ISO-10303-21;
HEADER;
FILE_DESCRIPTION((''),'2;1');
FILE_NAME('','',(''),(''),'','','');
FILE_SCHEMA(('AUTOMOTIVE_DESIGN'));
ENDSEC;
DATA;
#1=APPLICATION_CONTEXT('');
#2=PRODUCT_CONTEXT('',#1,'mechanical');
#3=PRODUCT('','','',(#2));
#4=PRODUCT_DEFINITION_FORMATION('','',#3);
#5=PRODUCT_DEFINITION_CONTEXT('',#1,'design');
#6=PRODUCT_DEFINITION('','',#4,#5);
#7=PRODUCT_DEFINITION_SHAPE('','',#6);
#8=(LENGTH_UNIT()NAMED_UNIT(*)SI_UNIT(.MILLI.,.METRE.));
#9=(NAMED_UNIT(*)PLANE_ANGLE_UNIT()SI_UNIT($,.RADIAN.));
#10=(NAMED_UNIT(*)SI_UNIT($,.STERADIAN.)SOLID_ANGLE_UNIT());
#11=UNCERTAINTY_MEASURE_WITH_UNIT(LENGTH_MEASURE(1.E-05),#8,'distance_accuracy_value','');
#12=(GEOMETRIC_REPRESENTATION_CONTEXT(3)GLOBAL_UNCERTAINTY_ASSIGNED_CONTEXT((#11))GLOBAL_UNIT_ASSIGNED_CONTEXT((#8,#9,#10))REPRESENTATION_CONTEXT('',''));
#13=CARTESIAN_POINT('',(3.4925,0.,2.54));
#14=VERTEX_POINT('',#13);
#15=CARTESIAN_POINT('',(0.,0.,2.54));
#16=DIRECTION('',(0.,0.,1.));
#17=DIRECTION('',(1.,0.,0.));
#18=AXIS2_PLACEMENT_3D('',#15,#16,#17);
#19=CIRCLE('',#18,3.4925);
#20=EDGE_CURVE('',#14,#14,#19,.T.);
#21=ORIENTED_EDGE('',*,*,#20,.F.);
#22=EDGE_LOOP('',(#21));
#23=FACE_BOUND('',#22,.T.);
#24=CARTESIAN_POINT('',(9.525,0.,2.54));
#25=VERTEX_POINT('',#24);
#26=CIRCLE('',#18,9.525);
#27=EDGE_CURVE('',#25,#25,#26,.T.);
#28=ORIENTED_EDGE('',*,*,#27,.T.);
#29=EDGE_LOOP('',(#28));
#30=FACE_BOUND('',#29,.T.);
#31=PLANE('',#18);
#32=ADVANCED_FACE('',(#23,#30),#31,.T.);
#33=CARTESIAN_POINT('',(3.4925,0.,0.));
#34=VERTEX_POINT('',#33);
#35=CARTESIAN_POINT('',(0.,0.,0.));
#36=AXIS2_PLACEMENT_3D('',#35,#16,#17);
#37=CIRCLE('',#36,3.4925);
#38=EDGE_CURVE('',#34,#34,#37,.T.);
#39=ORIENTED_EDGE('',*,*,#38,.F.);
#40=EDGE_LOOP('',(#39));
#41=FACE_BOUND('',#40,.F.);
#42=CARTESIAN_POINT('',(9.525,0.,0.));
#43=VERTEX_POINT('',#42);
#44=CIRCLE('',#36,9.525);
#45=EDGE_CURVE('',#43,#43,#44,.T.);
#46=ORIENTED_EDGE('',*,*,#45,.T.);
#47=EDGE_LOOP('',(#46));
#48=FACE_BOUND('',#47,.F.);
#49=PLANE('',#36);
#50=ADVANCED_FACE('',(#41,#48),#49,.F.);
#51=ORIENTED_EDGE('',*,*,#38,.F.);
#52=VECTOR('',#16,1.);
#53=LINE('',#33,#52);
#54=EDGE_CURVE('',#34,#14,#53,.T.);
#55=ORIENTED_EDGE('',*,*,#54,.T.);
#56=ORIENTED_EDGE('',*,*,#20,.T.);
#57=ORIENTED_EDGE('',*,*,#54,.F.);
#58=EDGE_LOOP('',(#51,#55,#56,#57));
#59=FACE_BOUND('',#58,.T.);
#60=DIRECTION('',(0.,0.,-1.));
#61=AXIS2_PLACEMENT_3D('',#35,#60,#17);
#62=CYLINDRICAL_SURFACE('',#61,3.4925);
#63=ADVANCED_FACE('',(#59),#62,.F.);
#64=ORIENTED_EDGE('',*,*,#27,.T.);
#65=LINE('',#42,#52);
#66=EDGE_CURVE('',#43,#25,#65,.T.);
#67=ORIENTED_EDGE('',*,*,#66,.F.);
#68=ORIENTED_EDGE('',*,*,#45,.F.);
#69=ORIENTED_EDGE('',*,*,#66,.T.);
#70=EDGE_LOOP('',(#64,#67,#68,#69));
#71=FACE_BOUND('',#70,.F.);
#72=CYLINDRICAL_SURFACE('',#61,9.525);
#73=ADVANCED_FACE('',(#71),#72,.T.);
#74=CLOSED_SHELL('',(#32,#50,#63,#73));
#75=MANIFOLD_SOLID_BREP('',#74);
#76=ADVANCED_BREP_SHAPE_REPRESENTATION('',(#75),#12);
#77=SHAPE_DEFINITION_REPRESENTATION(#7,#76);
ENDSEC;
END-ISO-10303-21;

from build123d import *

# Parameters (mm, degrees)
SKETCH_R   = 9.525
SKETCH_R_2 = 3.4925
PAD_DEPTH  = 2.54


with BuildPart() as part:
    # Sketch → Pad (new body)
    with BuildSketch(Plane.XY):
        Circle(SKETCH_R)
        Circle(SKETCH_R_2, mode=Mode.SUBTRACT)
    extrude(amount=PAD_DEPTH)


solid = part.part
